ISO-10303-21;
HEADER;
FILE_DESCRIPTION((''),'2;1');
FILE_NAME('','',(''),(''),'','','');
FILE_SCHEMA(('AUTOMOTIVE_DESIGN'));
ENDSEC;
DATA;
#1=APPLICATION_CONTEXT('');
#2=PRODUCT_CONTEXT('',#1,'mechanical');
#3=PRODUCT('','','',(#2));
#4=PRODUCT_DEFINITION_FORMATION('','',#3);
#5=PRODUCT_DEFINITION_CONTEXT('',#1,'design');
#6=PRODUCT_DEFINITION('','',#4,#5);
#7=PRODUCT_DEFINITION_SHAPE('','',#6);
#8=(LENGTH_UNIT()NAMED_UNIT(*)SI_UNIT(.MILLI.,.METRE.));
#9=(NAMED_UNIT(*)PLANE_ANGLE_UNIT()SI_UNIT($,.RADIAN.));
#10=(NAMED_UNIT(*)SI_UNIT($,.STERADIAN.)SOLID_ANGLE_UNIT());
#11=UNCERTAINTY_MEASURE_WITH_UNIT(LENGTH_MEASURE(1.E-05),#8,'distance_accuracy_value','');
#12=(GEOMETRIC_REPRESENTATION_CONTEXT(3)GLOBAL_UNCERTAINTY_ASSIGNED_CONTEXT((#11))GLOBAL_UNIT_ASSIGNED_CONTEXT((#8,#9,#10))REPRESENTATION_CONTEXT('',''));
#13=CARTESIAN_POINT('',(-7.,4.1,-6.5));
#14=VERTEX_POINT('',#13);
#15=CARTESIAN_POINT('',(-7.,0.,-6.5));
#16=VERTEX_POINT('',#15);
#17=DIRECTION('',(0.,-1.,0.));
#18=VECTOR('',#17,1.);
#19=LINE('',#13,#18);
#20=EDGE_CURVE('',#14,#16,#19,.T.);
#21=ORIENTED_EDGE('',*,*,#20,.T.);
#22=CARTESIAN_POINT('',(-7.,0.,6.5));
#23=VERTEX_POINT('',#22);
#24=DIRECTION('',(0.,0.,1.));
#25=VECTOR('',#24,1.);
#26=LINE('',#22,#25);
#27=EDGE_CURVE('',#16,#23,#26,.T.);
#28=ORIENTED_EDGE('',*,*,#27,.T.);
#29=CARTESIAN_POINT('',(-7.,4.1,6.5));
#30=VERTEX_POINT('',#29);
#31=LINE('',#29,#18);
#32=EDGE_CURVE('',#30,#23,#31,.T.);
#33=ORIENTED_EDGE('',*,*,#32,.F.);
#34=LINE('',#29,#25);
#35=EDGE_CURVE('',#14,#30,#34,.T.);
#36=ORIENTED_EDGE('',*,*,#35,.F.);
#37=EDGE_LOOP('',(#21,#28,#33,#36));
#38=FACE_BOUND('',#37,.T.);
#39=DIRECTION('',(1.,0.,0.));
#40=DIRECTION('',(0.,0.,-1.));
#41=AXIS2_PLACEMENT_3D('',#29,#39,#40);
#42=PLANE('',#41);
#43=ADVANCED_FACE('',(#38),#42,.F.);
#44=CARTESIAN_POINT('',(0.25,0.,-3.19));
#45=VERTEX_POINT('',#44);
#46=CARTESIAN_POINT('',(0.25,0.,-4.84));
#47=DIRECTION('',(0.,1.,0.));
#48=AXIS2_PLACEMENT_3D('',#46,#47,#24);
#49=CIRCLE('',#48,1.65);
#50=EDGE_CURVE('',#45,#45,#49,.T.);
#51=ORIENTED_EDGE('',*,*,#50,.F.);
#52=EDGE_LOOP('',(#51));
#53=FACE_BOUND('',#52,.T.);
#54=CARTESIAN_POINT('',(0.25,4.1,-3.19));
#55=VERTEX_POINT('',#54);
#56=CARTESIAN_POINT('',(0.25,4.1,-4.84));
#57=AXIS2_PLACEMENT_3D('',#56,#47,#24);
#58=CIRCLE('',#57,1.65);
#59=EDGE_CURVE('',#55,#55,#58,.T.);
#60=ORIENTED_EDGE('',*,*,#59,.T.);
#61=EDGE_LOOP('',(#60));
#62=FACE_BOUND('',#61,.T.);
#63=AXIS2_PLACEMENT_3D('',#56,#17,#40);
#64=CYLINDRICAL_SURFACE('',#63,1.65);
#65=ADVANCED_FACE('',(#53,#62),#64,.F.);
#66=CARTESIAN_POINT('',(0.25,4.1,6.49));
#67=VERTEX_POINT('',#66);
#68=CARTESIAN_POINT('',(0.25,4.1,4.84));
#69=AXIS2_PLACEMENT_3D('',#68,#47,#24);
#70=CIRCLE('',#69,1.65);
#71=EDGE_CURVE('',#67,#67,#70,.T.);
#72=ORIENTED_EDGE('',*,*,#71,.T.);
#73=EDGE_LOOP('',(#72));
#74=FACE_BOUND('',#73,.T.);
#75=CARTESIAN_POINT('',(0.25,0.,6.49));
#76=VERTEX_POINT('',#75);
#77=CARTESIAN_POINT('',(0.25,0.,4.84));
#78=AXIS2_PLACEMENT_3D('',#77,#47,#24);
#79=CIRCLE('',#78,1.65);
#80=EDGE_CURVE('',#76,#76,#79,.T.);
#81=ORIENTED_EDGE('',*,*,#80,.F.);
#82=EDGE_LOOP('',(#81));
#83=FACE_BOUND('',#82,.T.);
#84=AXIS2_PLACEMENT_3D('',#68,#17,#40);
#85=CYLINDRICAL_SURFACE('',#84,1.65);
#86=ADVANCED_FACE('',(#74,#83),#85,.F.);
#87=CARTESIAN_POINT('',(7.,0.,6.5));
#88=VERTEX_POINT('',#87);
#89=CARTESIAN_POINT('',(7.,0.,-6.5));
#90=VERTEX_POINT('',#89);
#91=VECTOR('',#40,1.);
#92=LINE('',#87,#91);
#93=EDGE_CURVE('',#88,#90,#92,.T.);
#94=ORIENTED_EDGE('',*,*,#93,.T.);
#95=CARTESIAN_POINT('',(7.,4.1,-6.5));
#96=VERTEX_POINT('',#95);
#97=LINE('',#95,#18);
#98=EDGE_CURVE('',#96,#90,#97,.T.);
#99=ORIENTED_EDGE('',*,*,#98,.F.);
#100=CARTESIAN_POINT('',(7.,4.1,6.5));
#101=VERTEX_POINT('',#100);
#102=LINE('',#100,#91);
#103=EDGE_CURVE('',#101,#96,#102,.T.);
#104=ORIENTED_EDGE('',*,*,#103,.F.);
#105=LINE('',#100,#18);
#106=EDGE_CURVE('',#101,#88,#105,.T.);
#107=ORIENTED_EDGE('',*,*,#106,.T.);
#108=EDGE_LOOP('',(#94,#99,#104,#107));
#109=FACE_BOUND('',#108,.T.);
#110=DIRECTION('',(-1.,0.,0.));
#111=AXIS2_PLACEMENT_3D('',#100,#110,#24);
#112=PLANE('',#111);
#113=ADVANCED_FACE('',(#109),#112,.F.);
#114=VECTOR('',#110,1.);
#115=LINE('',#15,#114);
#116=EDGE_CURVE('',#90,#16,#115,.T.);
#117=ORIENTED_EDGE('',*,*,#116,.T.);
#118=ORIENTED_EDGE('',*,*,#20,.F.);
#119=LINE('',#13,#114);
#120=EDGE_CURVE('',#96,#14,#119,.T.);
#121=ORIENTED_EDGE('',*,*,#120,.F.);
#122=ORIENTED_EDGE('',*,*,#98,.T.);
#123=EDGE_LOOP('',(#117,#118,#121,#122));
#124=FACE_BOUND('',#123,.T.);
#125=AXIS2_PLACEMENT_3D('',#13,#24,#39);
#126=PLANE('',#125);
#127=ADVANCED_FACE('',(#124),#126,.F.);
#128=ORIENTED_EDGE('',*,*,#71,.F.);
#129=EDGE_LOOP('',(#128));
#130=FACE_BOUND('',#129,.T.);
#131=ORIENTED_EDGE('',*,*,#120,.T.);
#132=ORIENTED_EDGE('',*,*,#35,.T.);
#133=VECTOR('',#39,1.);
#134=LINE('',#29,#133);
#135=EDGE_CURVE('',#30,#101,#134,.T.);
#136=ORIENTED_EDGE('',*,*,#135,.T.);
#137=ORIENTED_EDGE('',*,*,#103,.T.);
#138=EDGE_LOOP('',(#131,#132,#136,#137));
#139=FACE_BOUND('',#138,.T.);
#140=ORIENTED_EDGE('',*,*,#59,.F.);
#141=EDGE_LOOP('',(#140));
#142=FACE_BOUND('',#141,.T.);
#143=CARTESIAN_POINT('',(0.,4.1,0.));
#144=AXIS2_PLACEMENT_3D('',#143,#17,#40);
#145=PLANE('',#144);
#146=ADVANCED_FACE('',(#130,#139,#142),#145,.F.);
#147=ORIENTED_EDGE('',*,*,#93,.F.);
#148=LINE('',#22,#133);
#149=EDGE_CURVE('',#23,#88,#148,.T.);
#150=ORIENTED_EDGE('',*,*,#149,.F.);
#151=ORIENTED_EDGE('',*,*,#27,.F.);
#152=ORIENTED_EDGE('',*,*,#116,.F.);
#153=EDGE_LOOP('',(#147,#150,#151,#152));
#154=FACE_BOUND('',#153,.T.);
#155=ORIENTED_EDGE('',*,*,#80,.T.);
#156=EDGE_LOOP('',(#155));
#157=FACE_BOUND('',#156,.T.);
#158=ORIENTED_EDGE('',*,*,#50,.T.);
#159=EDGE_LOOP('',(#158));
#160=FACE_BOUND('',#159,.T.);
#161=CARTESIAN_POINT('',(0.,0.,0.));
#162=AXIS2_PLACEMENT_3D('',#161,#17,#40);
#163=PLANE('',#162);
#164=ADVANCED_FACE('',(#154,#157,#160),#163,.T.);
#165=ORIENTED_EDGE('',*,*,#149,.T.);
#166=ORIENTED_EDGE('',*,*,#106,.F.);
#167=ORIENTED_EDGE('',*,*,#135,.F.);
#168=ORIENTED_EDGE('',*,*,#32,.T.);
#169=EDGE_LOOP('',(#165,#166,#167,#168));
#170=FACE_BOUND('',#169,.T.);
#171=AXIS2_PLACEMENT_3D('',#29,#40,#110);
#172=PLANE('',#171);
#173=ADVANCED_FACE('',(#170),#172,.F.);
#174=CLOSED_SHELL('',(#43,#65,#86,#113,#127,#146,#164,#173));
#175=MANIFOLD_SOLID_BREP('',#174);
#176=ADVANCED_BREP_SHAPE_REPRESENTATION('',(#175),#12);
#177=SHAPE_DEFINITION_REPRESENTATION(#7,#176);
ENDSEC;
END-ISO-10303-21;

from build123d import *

# Parameters (mm, degrees)
SKETCH1_W           = 14
SKETCH1_H           = 13
SKETCH1_R           = 1.65
BOSS_EXTRUDE3_DEPTH = 4.1


with BuildPart() as part:
    # Sketch1 → Boss-Extrude3 (new body)
    with BuildSketch(Plane(origin=(0, 0, 0), x_dir=(1, 0, 0), z_dir=(0, 1, 0))):
        Rectangle(SKETCH1_W, SKETCH1_H)
        with Locations((0.25, 4.84)):
            Circle(SKETCH1_R, mode=Mode.SUBTRACT)
        with Locations((0.25, -4.84)):
            Circle(SKETCH1_R, mode=Mode.SUBTRACT)
    extrude(amount=BOSS_EXTRUDE3_DEPTH)


solid = part.part
